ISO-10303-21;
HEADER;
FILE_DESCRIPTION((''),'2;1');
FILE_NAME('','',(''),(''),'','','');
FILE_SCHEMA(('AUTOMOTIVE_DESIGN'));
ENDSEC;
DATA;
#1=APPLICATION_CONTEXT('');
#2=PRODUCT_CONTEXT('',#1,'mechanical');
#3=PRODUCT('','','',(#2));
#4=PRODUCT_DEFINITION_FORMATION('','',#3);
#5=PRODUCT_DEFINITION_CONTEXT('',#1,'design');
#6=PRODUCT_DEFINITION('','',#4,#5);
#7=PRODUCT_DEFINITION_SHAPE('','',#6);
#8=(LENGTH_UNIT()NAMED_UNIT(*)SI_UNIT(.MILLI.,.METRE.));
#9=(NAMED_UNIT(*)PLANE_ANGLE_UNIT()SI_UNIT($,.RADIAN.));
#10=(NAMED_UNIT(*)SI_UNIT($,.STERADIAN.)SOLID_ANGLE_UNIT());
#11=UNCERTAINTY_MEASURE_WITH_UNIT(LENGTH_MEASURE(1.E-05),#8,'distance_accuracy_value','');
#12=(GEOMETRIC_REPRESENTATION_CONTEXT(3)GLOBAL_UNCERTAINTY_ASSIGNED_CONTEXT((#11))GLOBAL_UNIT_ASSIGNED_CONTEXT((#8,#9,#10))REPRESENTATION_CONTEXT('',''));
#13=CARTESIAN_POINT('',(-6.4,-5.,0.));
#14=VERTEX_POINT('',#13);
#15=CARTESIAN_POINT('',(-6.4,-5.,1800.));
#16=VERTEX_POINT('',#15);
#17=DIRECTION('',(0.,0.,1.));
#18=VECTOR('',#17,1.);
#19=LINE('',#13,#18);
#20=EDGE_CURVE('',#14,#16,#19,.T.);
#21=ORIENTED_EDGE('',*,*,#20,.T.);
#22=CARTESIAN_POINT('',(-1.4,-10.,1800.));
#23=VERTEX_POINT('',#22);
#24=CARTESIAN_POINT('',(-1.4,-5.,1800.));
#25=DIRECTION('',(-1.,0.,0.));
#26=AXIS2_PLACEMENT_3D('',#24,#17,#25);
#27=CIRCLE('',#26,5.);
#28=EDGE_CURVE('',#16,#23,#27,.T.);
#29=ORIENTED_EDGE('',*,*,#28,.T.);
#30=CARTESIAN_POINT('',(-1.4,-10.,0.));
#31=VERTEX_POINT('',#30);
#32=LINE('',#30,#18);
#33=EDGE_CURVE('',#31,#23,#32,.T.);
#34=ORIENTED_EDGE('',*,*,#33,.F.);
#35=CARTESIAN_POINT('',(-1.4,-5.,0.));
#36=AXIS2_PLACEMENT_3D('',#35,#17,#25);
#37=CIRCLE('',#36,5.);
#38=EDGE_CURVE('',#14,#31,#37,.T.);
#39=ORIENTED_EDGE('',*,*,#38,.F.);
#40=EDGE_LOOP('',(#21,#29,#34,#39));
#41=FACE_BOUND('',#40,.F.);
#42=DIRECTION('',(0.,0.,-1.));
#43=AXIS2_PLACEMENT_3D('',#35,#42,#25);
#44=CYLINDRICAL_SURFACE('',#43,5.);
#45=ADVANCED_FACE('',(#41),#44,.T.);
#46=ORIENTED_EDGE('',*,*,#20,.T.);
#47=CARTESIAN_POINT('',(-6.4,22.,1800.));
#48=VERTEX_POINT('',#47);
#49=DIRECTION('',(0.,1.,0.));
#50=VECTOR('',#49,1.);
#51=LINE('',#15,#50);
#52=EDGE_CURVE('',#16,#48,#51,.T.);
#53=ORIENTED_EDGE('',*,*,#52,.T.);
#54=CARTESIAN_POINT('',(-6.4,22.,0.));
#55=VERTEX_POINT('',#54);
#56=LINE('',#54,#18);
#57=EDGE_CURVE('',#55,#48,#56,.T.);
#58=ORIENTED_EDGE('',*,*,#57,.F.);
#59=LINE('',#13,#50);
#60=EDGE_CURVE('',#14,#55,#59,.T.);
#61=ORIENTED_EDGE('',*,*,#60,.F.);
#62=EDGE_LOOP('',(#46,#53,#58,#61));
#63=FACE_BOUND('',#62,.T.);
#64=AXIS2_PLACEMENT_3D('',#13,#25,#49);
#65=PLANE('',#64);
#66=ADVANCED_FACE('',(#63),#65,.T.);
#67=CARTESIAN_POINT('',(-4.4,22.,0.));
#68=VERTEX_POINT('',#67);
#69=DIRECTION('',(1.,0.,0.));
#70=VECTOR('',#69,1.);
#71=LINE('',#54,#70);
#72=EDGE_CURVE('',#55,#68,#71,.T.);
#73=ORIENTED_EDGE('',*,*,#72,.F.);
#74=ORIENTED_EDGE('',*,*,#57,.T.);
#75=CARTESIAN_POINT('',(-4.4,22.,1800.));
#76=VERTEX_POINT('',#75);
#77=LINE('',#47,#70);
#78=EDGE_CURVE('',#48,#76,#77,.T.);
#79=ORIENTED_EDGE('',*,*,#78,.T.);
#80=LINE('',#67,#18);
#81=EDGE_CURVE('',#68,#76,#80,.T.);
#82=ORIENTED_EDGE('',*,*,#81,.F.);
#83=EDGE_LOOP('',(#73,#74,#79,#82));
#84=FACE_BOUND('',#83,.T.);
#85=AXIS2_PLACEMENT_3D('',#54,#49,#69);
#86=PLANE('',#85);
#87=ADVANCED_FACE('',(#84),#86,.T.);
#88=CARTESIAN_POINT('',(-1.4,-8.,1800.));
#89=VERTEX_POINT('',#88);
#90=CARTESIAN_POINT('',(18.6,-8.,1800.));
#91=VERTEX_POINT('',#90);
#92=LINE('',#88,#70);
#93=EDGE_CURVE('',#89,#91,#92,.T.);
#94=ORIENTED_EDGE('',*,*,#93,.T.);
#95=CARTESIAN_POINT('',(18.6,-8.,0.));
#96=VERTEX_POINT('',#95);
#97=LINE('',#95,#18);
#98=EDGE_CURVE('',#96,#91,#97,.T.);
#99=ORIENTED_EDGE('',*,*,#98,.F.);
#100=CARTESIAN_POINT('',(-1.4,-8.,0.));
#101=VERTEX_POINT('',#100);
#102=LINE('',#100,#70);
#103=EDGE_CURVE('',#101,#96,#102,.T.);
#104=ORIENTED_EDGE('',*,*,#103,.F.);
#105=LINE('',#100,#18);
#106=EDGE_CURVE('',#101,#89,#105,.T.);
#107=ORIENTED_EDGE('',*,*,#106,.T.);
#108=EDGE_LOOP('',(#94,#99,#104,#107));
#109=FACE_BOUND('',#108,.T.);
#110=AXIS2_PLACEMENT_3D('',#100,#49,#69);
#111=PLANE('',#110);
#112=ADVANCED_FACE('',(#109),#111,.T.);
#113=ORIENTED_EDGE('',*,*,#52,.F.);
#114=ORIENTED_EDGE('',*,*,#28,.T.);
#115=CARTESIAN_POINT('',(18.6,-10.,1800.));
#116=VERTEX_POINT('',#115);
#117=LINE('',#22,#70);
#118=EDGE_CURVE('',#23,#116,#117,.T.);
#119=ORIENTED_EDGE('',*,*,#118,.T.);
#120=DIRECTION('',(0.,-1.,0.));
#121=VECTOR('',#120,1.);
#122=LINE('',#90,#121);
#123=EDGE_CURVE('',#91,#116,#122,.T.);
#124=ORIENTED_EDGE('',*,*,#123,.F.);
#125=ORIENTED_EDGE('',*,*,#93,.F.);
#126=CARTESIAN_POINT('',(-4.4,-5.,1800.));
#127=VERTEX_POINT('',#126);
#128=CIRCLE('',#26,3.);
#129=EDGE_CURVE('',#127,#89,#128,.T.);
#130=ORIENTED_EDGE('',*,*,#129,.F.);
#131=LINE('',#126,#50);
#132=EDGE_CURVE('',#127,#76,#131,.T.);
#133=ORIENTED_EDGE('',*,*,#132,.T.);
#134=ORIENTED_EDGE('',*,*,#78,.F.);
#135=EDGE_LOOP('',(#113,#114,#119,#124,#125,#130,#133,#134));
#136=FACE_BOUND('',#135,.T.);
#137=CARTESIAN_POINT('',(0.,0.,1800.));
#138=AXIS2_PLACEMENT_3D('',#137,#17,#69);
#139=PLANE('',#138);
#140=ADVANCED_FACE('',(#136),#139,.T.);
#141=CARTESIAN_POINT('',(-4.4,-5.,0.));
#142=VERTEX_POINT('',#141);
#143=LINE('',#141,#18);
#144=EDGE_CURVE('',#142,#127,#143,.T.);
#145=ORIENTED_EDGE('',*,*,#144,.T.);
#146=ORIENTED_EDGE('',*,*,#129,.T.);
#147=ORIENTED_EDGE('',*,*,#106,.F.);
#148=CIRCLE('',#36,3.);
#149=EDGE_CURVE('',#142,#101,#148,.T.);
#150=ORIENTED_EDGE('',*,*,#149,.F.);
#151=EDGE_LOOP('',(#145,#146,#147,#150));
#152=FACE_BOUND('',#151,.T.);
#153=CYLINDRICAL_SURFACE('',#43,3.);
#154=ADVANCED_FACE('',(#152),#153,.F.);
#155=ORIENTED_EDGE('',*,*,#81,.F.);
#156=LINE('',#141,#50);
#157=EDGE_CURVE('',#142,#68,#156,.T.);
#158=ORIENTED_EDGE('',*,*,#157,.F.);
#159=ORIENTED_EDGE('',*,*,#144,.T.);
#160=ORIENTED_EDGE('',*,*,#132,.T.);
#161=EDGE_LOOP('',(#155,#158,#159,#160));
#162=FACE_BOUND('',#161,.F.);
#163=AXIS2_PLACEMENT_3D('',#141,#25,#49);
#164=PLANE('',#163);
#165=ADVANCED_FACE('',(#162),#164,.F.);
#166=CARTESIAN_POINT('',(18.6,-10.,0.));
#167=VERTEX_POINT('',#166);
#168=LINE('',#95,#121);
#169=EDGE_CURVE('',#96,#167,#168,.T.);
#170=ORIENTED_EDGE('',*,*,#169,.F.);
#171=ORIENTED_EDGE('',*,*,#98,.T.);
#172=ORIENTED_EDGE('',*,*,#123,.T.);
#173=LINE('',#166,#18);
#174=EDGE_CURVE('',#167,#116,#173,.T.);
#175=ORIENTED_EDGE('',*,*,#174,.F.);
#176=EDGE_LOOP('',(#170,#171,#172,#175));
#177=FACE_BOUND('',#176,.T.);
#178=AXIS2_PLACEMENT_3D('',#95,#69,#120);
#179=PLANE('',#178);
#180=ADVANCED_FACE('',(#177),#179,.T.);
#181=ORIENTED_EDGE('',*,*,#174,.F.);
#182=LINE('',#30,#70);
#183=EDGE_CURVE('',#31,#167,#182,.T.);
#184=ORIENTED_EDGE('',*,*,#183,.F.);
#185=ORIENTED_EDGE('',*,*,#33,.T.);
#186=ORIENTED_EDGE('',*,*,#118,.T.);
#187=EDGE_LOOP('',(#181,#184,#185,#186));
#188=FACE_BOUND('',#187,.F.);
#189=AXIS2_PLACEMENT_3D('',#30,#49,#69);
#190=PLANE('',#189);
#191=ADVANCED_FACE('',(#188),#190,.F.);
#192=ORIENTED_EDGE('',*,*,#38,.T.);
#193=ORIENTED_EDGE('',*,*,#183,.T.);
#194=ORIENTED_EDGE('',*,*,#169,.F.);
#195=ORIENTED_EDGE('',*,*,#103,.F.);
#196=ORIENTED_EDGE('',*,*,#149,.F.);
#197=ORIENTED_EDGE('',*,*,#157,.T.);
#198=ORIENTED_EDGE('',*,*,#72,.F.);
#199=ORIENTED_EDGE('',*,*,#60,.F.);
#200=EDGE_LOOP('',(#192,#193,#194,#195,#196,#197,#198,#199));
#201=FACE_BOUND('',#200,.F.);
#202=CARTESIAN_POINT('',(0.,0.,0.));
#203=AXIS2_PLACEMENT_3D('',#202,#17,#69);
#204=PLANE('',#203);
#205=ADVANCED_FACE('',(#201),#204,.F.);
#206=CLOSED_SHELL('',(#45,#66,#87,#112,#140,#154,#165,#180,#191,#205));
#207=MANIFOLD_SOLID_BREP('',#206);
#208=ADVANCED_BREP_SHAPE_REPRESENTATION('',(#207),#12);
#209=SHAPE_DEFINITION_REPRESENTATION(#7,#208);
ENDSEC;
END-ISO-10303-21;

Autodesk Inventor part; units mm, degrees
ref_plane "YZ Plane" through (0, 0, 0) normal (1, 0, 0) x (0, 1, 0)
ref_plane "Начальная плоскость" through (0, 0, 0) normal (0, 0, 1) x (1, 0, 0)
ref_plane "Конечная плоскость" through (0, 0, 1800) normal (0, 0, 1) x (1, 0, 0)
sketch "Sketch2" plane through (0, 0, 0) normal (0, 0, 1) x (1, 0, 0)
  line L0 (-4.4, -5) -> (-4.4, 22)
  line L1 (-6.4, 22) -> (-4.4, 22)
  line L2 (-6.4, -5) -> (-6.4, 22)
  line L3 (-1.4, -10) -> (18.6, -10)
  line L4 (18.6, -8) -> (18.6, -10)
  line L5 (-1.4, -8) -> (18.6, -8)
  arc A0 (-4.4, -5) -> (-1.4, -8) centre (-1.4, -5) ccw
  arc A1 (-6.4, -5) -> (-1.4, -10) centre (-1.4, -5) ccw
  line L6 (0, 30.2071) -> (0, -6.2426) construction
  line L7 (-5.2426, 0) -> (24.2071, 0) construction
  point P0 (-4.4, -8)
  point P1 (-6.4, -10)
  dimension "d4" = 25
  dimension "d6" = 32
  dimension "d8" = 2
  dimension "d10" = 2
  dimension "d17" = 3
  dimension "d18" = 5
  dimension "d21" = 6.4
  dimension "d22" = 10
extrude "Базовый элемент" add sketch "Sketch2" along normal up to surface (1800 mm away) from surface at 0
sketch "Sketch3" plane through (0, 0, 0) normal (0, 0, 1) x (1, 0, 0)
  line L0 (0, 0) -> (10, 0)
ref_plane "Work Plane10" through (0, 0, 0) normal (0, -1, 0) x (1, 0, 0)
sketch "Sketch4" plane through (0, 0, 0) normal (0, -1, 0) x (1, 0, 0)
  line L0 (-2, 0) -> (12, 0)
  line L1 (-2, 1800) -> (12, 1800)
  dimension "d24" = 1800
equation "\"d4\" = a"
equation "\"d6\" = b"
equation "\"d8\" = ParT"
equation "\"d10\" = ParT"
equation "\"d17\" = R"
equation "\"d18\" = R + ParT"
equation "\"d21\" = ex"
equation "\"d22\" = ey"
equation "\"d11\" = G_L"
equation "\"b\" = 32"
equation "\"ParT\" = 2"
equation "\"R\" = 3"
equation "\"G_L\" = d24"
equation "\"a\" = 25"
equation "\"G_OFFSET_START\" = 0"
equation "\"G_OFFSET_END\" = 0"
equation "\"ex\" = 6.4"
equation "\"ey\" = 10"
properties part number "Угол 32x25x2-1800 ГОСТ 19772-93" material "Сталь, мягкая"
